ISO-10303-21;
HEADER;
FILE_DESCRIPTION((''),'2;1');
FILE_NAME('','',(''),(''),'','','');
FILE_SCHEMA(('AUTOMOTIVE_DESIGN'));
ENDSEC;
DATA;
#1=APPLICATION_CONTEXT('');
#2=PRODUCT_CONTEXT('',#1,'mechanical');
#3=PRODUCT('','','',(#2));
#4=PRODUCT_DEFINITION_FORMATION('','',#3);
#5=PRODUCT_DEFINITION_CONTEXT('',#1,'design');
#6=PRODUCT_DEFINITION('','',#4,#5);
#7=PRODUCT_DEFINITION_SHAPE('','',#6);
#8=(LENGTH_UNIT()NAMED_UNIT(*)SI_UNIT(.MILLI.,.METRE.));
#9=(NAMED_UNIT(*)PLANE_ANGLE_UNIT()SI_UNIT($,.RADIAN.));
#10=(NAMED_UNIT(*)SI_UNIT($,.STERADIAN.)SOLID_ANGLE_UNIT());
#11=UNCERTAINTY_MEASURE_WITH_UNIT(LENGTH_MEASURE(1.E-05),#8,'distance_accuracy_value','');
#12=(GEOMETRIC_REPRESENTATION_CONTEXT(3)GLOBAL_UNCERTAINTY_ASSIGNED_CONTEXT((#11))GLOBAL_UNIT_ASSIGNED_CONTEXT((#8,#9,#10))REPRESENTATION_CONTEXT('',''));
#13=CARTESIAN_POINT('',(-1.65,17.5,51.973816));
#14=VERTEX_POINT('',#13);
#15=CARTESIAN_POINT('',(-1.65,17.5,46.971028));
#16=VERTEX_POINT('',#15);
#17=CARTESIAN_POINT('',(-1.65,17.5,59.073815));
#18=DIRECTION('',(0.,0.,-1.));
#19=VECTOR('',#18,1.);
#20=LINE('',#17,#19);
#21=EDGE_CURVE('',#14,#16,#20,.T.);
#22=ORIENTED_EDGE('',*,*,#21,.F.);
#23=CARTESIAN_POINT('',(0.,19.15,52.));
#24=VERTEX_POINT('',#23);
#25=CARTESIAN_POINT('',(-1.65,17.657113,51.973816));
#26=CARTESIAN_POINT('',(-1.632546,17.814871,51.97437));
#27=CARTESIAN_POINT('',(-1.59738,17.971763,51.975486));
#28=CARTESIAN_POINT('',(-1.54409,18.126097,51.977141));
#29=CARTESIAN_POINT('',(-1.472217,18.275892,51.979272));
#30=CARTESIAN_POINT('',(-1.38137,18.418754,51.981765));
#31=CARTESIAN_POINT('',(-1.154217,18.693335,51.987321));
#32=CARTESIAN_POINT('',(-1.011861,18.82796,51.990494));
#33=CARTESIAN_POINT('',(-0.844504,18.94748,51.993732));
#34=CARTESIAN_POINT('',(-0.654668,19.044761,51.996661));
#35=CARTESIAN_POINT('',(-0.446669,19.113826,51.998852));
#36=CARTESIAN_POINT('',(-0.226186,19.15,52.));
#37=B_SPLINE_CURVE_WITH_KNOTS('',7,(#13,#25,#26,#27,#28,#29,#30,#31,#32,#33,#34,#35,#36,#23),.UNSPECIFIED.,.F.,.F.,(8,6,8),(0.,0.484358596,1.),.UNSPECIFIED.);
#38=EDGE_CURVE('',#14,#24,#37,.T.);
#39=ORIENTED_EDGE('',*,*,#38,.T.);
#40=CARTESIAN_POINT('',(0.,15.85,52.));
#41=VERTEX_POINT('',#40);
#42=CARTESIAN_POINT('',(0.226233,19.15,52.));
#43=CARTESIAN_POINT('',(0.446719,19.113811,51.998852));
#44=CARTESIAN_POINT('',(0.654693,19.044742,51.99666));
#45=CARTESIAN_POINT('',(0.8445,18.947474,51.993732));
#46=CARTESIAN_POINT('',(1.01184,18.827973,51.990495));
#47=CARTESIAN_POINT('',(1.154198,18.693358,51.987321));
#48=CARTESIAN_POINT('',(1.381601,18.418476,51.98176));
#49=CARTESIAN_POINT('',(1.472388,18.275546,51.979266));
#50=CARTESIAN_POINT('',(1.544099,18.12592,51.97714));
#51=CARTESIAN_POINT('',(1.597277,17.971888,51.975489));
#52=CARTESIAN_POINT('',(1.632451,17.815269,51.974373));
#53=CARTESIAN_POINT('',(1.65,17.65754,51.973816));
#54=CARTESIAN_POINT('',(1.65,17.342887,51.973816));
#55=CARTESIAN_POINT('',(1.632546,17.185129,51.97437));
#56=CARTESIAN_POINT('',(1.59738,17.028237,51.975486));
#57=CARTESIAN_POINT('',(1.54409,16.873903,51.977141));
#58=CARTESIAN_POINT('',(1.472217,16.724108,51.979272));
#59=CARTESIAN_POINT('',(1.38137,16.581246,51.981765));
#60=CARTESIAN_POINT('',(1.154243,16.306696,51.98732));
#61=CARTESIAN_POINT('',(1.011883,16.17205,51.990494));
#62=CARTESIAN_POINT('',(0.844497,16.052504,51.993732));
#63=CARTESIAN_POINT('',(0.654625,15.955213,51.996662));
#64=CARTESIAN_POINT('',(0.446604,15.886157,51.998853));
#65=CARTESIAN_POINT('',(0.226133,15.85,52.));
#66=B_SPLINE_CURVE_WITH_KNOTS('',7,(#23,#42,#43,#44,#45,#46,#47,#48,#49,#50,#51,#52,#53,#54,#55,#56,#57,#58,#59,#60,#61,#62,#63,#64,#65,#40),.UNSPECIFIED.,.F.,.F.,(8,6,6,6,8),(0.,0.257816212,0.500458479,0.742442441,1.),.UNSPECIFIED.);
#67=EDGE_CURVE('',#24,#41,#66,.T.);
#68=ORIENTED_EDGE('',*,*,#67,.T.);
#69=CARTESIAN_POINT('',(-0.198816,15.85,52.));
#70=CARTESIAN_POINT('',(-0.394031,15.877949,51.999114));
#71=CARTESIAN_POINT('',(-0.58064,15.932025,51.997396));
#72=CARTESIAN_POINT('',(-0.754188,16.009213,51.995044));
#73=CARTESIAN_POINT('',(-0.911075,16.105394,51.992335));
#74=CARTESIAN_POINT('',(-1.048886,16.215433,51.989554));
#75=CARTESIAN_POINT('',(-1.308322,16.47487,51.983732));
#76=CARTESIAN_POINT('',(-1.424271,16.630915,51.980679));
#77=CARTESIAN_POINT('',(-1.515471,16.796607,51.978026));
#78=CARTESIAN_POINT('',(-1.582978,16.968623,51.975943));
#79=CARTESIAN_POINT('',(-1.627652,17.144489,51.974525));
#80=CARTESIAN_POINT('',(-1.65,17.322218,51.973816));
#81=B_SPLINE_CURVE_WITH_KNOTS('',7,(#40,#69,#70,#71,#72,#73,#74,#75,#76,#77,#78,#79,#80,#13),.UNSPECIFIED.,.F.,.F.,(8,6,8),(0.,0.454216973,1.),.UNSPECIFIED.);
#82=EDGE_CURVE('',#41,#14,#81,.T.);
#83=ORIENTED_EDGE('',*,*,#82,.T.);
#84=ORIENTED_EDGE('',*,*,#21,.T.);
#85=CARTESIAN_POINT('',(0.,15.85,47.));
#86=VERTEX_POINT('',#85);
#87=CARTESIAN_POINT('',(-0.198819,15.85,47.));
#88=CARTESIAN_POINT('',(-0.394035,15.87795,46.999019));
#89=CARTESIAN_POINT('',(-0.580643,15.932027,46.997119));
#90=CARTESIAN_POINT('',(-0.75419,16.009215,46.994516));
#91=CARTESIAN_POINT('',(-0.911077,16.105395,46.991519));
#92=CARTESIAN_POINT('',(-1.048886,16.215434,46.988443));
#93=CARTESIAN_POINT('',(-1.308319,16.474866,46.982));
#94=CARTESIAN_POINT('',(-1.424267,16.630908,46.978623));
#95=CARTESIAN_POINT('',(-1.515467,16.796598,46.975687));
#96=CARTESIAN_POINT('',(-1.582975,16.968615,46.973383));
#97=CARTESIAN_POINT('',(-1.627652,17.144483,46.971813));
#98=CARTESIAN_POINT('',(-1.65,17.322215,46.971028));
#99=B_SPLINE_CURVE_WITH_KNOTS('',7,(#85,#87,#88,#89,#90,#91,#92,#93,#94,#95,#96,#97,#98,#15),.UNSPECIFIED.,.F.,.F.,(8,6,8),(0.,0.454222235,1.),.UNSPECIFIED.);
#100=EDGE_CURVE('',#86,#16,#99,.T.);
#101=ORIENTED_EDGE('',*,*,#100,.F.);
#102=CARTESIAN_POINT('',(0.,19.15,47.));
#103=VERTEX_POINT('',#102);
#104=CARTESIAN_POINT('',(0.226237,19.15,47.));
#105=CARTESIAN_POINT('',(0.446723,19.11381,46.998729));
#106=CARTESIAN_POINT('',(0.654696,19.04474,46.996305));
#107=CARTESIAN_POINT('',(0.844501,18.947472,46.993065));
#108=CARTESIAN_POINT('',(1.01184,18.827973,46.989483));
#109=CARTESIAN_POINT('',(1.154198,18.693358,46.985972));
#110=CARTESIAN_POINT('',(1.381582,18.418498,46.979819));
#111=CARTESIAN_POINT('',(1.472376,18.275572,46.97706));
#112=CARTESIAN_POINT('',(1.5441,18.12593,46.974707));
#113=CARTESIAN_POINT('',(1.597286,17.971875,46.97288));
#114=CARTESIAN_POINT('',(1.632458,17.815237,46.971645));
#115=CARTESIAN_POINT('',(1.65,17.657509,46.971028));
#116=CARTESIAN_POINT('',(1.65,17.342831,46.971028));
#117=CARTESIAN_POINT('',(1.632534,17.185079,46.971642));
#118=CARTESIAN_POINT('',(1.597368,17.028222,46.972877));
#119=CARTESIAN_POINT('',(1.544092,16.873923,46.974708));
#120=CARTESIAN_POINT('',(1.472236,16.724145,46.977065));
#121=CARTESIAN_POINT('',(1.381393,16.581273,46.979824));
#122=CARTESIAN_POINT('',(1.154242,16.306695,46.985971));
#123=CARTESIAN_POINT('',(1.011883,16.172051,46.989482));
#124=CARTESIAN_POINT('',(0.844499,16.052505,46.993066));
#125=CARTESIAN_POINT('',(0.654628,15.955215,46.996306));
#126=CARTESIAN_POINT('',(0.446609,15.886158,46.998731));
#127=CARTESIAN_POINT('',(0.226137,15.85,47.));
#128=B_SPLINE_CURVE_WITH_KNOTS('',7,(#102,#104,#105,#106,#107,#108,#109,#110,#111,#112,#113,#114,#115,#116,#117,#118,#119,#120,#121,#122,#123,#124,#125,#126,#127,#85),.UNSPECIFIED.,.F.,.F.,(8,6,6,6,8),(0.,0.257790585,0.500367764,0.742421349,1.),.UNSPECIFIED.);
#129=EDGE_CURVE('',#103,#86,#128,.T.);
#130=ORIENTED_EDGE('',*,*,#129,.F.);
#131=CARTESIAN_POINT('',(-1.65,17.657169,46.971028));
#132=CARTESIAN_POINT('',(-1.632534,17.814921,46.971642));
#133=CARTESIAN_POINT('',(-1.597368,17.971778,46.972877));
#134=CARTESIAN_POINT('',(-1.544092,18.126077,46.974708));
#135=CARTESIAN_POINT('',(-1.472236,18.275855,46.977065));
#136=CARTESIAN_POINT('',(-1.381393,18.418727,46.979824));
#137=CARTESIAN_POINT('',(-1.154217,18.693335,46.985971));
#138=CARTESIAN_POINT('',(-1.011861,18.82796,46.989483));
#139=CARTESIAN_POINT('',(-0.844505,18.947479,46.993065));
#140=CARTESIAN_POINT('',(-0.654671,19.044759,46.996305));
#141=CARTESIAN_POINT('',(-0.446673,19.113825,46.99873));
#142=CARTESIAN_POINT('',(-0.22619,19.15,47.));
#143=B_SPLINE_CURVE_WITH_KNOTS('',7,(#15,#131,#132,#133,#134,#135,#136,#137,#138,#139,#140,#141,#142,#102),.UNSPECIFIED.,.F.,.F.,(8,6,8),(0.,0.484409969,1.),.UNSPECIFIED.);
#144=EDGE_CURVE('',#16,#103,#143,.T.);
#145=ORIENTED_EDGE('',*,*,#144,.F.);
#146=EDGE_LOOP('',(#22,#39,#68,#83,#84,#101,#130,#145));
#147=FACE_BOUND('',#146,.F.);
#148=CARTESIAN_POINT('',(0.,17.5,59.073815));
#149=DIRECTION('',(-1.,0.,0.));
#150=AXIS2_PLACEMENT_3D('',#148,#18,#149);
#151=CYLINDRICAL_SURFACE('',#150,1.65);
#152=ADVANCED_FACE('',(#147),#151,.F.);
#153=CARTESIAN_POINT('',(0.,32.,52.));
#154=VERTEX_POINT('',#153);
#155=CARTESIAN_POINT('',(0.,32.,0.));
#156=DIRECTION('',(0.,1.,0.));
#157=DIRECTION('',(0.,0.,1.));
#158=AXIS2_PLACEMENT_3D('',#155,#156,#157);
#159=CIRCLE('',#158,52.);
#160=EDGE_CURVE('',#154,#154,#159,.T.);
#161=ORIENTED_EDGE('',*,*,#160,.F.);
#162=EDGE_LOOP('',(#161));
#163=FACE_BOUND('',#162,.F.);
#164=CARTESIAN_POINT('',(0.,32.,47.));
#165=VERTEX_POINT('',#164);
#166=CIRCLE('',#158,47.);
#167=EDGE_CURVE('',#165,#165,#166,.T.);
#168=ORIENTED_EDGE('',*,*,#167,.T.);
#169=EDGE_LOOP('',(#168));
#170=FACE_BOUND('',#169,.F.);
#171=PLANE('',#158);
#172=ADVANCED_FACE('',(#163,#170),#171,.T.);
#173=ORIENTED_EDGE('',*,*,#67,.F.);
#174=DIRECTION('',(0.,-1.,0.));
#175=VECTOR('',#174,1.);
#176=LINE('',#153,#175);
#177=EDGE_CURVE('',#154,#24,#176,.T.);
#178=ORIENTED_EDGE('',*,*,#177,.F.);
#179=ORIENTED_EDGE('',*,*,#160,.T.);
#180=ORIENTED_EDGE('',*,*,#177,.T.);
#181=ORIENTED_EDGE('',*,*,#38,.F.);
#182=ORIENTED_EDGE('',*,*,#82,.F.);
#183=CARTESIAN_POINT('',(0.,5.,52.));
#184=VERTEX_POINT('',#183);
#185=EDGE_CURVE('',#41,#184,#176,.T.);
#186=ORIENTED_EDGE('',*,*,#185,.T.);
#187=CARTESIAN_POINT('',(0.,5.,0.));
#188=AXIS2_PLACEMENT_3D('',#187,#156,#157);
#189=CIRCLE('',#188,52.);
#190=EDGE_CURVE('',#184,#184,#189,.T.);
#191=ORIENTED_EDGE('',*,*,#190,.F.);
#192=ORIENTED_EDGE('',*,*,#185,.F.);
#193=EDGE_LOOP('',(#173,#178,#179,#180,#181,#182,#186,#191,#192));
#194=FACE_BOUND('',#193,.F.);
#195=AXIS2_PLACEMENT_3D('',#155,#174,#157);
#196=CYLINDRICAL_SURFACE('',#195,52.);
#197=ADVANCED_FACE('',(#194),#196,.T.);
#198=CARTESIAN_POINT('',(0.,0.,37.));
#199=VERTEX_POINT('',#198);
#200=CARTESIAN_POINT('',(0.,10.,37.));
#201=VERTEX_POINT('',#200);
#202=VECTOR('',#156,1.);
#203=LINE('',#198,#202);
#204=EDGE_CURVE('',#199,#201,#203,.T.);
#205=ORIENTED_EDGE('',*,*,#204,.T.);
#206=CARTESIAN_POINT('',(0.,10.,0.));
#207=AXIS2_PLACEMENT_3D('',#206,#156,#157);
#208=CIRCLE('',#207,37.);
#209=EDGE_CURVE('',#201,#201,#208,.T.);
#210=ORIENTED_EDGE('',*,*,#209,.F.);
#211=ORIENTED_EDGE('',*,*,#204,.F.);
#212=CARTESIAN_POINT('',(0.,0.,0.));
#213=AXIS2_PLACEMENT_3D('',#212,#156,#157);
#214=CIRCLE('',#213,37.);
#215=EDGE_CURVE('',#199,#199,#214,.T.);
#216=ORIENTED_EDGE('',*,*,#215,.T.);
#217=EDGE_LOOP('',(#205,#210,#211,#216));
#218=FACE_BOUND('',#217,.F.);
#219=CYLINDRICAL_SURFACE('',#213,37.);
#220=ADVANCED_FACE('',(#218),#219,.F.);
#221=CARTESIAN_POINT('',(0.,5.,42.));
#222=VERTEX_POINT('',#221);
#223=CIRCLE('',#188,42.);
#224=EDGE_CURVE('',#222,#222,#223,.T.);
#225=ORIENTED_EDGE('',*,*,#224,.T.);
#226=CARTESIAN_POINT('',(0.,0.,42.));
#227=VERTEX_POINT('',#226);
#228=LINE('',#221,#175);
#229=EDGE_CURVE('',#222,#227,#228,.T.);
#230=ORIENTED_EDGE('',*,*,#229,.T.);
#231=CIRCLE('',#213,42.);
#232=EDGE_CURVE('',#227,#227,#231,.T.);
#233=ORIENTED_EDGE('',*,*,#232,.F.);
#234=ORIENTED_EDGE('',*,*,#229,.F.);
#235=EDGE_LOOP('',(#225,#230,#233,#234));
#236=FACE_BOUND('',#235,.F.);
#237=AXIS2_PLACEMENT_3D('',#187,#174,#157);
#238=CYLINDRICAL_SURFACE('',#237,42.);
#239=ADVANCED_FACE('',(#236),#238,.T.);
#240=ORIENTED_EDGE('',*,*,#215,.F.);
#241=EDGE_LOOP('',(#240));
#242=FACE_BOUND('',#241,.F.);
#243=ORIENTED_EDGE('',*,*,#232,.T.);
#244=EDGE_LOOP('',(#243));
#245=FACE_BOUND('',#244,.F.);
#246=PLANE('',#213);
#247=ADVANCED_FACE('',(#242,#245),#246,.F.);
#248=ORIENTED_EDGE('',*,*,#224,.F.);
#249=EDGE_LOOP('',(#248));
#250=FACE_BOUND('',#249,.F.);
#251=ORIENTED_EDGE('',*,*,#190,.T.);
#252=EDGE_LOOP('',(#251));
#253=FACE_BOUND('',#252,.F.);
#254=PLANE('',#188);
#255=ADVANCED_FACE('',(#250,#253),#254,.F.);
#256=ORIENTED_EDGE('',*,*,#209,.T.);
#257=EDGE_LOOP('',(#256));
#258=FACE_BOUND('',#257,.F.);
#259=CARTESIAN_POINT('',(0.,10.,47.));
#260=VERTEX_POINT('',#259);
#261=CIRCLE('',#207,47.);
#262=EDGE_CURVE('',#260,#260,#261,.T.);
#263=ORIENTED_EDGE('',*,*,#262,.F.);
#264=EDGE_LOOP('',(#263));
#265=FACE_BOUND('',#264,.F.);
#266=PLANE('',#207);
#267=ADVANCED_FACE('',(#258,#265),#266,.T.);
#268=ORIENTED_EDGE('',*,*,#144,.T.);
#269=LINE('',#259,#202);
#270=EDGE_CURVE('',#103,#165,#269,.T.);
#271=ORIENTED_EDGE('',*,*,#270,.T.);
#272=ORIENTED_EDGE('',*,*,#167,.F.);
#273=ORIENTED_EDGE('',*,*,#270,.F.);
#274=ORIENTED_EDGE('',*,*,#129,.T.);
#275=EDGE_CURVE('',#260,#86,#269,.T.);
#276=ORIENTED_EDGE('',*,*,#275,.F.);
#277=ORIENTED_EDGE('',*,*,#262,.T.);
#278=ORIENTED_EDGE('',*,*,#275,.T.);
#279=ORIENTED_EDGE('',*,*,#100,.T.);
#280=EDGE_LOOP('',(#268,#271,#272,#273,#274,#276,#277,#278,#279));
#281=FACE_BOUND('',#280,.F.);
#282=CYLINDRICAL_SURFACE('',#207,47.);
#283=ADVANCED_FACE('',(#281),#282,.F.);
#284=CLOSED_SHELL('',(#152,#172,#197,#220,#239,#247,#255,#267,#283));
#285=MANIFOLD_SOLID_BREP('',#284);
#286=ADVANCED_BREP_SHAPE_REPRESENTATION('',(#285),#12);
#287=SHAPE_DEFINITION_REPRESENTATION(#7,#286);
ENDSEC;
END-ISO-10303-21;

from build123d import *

# Parameters (mm, degrees)
F5_D     = 3.3
F5_DEPTH = 7.1
F5_START = 0.0261846
F5_TIP   = 0.9914200214


with BuildPart() as f1:
    # F0 (on Right) → F1 (revolve)
    with BuildSketch(Plane.YZ):
        Polygon((5, 42), (0, 42), (0, 37), (10, 37), (10, 47), (32, 47), (32, 52), (5, 52), align=None)
    revolve(axis=Axis((0, 25.2126716077, 0), (0, 1, 0)))

    # F5
    # its depths count from where the whole tool has entered the part; down to there all is cleared
    with Locations(Plane.XY.offset(52).offset(-F5_START)):
        with Locations((0, 17.5)):
            Hole(F5_D / 2, depth=F5_DEPTH)
            with Locations((0, 0, -(F5_DEPTH + F5_TIP / 2))):  # 118° drill point
                Cone(0, F5_D / 2, F5_TIP, mode=Mode.SUBTRACT)


solid = f1.part
